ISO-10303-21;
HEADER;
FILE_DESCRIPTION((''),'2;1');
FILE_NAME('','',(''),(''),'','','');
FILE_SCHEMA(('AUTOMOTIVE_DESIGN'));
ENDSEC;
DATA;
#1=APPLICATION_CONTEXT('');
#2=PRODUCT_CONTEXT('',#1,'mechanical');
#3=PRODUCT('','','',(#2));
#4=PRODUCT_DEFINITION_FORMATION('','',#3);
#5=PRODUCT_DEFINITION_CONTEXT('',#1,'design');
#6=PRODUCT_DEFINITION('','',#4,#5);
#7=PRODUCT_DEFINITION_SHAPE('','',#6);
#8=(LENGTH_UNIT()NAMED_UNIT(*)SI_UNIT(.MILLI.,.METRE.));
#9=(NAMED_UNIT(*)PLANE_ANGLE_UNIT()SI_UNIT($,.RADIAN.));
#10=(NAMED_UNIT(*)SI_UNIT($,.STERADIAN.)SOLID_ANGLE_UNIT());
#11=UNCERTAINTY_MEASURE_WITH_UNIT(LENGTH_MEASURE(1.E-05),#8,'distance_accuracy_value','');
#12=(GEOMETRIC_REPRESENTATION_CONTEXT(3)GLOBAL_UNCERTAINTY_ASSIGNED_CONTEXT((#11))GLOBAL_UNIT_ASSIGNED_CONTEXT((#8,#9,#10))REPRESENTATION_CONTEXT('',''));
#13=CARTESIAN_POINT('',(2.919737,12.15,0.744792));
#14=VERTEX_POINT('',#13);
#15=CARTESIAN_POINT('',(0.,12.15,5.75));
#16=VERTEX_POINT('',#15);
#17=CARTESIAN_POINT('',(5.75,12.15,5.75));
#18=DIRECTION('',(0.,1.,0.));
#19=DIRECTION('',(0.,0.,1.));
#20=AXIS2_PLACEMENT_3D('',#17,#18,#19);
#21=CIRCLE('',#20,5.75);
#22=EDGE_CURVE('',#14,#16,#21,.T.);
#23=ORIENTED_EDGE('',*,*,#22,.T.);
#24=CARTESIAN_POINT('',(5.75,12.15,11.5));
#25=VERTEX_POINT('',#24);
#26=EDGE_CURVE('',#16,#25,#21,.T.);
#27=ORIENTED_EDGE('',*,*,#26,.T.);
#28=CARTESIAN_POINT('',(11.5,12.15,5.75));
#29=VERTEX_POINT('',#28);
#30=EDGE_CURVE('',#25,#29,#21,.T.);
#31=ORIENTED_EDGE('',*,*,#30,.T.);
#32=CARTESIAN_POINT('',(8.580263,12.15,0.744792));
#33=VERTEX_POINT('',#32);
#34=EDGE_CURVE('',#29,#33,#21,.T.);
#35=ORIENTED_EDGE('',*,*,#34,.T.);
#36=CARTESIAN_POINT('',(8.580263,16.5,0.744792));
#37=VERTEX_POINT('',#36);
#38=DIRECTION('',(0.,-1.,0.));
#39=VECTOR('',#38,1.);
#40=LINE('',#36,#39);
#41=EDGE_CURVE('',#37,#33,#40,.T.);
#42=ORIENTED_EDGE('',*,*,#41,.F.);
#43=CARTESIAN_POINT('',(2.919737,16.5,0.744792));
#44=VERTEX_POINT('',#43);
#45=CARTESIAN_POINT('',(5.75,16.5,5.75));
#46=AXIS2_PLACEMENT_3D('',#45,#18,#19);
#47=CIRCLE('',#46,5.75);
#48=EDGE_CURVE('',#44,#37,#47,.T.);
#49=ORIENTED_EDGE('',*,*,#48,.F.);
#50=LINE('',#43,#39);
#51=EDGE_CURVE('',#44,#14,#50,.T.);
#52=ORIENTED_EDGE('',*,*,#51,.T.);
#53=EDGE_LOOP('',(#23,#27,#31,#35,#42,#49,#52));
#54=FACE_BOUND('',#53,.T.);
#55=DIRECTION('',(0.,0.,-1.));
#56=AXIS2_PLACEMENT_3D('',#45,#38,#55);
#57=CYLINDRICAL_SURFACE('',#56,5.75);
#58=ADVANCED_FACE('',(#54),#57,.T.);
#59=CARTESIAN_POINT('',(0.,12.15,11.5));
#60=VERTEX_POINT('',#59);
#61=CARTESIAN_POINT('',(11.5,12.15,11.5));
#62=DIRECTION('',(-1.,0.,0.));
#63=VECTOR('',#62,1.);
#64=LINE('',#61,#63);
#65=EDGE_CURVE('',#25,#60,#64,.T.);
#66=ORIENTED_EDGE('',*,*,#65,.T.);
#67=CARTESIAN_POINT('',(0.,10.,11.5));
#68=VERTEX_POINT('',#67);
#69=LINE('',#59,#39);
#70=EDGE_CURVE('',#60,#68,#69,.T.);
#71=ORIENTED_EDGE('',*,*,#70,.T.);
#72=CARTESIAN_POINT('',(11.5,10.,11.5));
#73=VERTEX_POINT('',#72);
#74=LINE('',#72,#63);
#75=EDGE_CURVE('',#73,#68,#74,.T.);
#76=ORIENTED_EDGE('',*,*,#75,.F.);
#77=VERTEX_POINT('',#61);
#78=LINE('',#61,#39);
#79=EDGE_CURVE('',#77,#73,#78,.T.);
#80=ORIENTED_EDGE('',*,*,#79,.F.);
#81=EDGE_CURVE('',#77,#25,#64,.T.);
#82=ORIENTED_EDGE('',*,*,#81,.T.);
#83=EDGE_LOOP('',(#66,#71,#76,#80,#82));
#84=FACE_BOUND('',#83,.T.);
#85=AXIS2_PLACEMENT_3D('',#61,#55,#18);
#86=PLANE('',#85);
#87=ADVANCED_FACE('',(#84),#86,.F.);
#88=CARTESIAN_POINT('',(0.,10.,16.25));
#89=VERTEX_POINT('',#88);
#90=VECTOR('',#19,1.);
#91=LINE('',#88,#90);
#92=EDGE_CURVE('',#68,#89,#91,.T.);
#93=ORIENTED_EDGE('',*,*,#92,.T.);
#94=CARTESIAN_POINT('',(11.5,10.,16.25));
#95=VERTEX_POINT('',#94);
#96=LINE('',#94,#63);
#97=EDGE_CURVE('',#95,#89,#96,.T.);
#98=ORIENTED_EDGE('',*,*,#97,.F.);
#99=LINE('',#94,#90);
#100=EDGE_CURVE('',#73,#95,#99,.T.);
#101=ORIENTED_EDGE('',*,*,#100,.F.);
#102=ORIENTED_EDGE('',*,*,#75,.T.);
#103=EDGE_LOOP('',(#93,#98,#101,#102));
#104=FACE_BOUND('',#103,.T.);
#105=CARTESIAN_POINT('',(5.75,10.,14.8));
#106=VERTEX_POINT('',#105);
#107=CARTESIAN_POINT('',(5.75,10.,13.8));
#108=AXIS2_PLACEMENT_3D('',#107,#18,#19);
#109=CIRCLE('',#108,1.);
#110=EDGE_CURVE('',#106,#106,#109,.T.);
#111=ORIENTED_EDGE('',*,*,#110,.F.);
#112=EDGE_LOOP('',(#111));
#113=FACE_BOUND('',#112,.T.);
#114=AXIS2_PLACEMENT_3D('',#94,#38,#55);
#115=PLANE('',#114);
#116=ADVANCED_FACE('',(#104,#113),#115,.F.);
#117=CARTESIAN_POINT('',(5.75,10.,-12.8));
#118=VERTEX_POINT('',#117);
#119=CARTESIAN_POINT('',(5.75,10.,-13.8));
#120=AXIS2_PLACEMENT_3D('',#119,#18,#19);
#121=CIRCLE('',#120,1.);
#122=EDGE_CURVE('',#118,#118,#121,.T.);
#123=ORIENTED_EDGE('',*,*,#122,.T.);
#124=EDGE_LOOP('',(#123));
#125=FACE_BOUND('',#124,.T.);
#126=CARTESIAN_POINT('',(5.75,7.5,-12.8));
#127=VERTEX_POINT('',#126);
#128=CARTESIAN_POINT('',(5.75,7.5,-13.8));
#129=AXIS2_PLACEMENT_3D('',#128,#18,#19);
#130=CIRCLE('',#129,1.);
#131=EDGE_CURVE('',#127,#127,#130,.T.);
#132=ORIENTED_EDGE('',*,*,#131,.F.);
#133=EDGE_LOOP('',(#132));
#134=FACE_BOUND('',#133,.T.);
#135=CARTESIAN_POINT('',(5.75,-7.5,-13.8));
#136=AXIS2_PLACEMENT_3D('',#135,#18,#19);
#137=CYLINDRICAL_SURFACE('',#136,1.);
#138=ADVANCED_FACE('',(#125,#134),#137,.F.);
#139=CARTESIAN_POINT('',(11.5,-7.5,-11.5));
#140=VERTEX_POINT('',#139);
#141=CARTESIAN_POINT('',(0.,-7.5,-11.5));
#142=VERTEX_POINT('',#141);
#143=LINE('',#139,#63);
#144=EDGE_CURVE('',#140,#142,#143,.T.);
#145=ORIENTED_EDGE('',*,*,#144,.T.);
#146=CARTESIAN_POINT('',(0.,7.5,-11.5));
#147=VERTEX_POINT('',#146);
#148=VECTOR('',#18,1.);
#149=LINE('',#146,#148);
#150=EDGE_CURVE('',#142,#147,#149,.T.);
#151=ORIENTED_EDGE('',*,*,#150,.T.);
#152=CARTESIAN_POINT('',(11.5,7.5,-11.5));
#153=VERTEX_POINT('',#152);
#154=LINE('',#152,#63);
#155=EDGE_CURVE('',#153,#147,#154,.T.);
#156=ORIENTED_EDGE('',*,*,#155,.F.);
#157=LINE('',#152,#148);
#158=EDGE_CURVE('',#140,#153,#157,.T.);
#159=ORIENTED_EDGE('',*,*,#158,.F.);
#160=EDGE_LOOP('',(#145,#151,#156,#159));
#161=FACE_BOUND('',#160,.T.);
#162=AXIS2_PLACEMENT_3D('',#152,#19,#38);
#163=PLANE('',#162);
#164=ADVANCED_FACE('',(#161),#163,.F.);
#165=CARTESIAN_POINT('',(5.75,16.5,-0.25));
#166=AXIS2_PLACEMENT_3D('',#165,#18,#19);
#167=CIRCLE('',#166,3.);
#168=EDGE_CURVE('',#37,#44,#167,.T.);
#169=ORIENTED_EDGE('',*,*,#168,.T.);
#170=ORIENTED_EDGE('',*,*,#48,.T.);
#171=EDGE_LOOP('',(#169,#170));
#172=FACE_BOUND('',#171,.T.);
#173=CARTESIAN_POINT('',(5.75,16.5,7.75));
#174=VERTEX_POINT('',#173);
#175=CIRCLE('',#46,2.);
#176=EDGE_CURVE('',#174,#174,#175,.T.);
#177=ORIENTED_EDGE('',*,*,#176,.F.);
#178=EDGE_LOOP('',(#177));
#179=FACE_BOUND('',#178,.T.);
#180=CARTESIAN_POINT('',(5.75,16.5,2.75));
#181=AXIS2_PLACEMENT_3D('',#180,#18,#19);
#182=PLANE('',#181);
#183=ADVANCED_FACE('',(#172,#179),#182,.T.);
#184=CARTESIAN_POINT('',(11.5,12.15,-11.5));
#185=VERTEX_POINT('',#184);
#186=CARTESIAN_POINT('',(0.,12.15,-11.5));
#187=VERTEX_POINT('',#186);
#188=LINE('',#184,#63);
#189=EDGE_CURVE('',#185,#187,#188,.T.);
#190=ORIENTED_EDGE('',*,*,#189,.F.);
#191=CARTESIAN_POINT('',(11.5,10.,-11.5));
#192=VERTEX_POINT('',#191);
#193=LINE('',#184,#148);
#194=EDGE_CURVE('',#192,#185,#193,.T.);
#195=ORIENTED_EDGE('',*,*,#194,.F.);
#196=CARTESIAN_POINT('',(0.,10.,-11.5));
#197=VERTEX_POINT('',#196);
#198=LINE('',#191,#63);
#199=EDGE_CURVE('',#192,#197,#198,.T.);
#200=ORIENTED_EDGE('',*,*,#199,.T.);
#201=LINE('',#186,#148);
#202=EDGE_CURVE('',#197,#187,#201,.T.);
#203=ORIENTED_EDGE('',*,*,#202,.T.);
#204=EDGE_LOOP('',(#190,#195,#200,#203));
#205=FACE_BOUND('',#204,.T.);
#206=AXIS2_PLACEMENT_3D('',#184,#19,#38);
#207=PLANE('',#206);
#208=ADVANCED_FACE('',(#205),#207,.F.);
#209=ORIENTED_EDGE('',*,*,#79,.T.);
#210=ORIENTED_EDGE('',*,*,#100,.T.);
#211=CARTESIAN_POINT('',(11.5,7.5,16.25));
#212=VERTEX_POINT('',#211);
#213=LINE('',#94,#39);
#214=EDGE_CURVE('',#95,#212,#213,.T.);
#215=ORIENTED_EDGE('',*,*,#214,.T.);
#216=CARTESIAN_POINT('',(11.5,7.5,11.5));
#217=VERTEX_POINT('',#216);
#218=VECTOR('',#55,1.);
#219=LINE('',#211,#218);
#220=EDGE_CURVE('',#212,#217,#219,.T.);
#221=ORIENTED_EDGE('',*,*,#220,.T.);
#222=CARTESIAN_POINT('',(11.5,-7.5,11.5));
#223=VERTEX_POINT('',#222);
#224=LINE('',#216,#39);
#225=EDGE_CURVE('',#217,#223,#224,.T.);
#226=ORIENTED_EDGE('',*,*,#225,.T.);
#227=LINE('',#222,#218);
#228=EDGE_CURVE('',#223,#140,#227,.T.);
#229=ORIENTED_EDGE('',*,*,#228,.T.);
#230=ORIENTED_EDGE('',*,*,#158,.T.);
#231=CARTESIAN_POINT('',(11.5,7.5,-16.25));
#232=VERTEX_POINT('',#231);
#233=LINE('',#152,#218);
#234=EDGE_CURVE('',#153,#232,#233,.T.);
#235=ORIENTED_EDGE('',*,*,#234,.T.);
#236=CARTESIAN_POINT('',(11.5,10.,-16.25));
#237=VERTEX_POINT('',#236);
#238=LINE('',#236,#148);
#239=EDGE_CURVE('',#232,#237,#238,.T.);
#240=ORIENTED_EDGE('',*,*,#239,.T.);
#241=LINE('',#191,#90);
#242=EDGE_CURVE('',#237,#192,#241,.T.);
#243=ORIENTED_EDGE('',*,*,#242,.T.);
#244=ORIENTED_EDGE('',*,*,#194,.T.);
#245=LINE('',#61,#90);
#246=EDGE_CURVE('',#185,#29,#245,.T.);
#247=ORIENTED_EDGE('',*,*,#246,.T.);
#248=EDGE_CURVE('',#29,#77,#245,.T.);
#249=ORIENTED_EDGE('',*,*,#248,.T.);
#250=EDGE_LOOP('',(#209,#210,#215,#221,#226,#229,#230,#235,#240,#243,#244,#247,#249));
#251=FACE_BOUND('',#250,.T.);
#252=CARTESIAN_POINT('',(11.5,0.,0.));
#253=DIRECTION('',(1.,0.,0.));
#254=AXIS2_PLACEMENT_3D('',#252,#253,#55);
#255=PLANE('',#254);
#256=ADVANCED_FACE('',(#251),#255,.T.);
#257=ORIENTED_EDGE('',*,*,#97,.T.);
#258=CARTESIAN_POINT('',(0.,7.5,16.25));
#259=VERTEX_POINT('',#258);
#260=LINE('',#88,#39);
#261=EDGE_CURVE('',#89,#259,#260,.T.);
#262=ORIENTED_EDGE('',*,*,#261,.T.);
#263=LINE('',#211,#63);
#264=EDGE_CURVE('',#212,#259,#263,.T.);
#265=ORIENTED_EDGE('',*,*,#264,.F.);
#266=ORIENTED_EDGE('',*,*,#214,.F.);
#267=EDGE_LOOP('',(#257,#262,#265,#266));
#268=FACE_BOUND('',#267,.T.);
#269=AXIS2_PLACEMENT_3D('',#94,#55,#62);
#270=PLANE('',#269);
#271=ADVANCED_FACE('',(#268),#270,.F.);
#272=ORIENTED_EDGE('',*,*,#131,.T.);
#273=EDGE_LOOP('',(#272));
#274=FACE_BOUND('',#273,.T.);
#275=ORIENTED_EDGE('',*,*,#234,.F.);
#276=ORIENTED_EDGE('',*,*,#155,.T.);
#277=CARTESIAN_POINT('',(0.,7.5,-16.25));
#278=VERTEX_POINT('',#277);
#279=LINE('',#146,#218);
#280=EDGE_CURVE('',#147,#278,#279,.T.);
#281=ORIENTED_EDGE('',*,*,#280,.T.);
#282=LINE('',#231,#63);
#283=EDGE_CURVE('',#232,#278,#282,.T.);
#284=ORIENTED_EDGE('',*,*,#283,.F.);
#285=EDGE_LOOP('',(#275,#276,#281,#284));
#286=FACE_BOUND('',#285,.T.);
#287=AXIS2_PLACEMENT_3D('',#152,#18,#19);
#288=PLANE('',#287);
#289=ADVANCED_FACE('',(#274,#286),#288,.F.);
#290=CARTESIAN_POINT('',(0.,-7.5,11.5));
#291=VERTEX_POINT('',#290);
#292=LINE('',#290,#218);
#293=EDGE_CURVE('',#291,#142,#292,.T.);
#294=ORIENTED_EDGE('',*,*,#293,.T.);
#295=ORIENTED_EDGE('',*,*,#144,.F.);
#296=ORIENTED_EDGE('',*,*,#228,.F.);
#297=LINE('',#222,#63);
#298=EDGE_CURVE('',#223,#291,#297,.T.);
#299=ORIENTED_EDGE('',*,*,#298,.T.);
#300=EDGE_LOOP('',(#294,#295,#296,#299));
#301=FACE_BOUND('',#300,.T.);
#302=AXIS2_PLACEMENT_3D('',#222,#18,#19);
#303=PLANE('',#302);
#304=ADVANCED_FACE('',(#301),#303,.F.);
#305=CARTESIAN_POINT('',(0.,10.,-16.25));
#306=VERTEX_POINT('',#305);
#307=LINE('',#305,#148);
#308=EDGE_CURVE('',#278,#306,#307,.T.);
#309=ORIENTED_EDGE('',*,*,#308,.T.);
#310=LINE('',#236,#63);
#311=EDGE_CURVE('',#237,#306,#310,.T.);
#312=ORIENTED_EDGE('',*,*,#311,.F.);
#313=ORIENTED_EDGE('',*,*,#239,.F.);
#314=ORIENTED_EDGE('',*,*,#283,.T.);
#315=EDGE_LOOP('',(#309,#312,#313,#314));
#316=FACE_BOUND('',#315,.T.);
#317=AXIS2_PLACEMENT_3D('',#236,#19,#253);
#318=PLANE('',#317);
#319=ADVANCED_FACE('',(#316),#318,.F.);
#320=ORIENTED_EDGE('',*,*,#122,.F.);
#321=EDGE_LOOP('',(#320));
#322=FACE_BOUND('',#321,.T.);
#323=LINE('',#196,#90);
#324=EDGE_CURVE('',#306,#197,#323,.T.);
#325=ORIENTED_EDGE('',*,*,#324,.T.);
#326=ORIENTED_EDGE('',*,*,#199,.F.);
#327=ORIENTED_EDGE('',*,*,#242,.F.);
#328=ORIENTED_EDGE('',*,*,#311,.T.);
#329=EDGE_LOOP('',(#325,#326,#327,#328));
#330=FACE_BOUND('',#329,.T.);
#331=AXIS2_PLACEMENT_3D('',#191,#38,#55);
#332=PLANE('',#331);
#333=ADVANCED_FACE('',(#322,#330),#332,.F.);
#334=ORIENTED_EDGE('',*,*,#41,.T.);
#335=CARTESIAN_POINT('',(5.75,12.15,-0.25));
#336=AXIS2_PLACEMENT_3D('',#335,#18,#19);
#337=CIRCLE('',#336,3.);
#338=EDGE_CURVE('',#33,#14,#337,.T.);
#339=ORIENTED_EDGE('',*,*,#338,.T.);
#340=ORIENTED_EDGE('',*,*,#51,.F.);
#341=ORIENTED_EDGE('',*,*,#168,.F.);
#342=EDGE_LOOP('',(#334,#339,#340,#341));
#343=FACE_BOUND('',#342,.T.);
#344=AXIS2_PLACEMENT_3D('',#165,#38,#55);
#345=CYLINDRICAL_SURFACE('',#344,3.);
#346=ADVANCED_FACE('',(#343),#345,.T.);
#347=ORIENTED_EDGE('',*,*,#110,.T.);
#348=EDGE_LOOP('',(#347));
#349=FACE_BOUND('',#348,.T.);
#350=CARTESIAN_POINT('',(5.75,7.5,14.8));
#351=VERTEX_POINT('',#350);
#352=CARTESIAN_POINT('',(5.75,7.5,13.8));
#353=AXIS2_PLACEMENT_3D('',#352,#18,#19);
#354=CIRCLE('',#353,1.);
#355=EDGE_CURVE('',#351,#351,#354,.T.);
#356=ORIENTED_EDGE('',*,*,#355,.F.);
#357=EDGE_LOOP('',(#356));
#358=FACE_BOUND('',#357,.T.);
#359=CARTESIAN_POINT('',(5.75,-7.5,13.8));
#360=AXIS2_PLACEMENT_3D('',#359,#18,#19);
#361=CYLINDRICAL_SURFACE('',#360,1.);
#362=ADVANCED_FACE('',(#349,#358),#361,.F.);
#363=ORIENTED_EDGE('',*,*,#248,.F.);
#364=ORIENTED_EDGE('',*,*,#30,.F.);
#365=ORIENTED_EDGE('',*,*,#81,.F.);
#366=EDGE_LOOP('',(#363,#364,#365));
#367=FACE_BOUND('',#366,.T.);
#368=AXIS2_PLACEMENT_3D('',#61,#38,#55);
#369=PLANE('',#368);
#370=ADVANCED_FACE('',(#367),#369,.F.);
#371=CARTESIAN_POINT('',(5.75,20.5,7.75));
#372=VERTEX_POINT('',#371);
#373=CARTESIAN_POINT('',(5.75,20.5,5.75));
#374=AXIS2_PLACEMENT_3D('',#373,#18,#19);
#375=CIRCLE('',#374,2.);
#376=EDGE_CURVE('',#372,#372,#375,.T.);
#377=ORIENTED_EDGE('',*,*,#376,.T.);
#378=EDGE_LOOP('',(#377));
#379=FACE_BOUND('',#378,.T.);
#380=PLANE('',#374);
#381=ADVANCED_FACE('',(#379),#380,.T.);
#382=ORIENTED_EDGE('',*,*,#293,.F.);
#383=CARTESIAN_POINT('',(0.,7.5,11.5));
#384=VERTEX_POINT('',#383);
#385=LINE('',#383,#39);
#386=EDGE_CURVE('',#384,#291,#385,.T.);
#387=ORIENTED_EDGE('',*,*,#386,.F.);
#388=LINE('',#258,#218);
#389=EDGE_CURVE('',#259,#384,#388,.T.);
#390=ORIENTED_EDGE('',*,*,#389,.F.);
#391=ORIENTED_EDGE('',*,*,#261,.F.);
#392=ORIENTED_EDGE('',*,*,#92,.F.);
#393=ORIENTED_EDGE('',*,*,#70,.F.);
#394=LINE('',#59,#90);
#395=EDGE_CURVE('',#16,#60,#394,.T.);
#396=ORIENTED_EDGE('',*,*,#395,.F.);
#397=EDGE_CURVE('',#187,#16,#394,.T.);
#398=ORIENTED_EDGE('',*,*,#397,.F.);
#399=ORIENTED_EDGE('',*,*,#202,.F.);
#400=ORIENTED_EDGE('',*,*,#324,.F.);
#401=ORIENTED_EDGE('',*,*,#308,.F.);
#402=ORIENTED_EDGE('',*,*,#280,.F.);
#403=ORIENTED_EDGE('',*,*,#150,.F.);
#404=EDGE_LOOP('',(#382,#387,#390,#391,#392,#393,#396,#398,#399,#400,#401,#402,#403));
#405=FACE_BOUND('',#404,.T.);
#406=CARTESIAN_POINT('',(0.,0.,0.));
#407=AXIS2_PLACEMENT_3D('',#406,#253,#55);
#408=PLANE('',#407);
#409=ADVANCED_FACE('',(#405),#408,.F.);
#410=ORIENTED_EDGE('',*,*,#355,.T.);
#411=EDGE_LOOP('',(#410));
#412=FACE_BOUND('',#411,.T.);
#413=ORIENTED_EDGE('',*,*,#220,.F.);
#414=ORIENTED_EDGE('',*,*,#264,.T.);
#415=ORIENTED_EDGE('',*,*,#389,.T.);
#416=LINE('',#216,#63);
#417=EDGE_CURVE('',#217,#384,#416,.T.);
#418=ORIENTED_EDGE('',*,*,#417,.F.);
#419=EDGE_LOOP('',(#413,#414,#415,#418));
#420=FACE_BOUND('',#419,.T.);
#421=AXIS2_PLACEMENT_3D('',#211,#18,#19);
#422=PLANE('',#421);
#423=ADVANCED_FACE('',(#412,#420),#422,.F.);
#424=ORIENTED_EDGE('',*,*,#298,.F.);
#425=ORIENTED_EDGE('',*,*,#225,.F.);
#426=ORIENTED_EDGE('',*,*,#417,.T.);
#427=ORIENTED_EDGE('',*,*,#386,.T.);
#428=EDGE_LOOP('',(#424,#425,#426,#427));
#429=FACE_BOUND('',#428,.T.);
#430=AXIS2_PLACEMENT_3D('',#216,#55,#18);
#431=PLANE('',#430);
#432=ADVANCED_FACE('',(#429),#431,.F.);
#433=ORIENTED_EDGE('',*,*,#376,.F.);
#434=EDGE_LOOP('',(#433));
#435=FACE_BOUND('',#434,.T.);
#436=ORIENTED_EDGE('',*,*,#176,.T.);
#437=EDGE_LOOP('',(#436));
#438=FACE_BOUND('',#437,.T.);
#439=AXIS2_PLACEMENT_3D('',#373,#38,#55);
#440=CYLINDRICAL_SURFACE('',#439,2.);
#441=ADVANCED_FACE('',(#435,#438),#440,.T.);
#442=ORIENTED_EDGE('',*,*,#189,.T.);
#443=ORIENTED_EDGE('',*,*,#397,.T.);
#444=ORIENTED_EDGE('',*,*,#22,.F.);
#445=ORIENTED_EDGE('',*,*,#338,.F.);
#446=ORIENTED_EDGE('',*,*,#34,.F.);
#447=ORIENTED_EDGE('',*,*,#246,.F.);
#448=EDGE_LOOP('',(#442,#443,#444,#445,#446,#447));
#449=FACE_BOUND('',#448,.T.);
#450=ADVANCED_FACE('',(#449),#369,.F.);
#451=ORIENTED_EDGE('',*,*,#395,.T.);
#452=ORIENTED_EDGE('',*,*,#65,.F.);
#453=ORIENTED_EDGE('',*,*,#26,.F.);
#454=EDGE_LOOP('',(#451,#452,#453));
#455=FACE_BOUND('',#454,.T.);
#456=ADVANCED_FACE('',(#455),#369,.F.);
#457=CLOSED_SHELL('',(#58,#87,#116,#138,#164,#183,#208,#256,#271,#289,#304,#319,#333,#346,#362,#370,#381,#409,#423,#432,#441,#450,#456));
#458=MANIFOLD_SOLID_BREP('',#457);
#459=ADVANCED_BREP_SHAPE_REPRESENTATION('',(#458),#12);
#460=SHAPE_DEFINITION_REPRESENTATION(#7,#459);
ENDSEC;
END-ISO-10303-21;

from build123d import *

# Parameters (mm, degrees)
EXTRUDE_1_DEPTH     = 11.5
EXTRUDE_2_DEPTH     = 4.35
SKETCH_3_R          = 2
EXTRUDE_3_DEPTH     = 4
SKETCH_4_R          = 1
CUT_EXTRUDE_1_DEPTH = 27.505895571


with BuildPart() as part:
    # 草圖1 → 填料-伸長1 (new body)
    with BuildSketch(Plane(origin=(0, 0, 0), x_dir=(0, 0, -1), z_dir=(1, 0, 0))):
        Polygon((11.5, 10), (16.25, 10), (16.25, 7.5), (11.5, 7.5), (11.5, -7.5), (-11.5, -7.5), (-11.5, 7.5), (-16.25, 7.5), (-16.25, 10), (-11.5, 10), (-11.5, 12.15), (11.5, 12.15), align=None)
    extrude(amount=EXTRUDE_1_DEPTH)

    # 草圖2 → 填料-伸長2 (add)
    with BuildSketch(Plane(origin=(0, 12.15, 0), x_dir=(1, 0, 0), z_dir=(0, 1, 0))):
        with BuildLine():
            ThreePointArc((2.919736843, -0.744791667), (5.75, -11.5), (8.580263157, -0.744791667))
            ThreePointArc((8.580263157, -0.744791667), (5.75, 3.25), (2.919736843, -0.744791667))
        make_face()
    extrude(amount=EXTRUDE_2_DEPTH)

    # 草圖3 → 填料-伸長3 (add)
    with BuildSketch(Plane(origin=(0, 16.5, 0), x_dir=(1, 0, 0), z_dir=(0, 1, 0))):
        with Locations(Location((5.75, -5.75, 0), (0, 0, 270))):
            Circle(SKETCH_3_R)
    extrude(amount=EXTRUDE_3_DEPTH)

    # 草圖4 → 除料-伸長1 (cut, through all)
    with BuildSketch(Plane(origin=(0, 10, 0), x_dir=(1, 0, 0), z_dir=(0, 1, 0))):
        with Locations(Location((5.75, -13.8, 0), (0, 0, 270))):
            Circle(SKETCH_4_R)
        with Locations(Location((5.75, 13.8, 0), (0, 0, 270))):
            Circle(SKETCH_4_R)
    extrude(amount=-CUT_EXTRUDE_1_DEPTH, mode=Mode.SUBTRACT)


solid = part.part
